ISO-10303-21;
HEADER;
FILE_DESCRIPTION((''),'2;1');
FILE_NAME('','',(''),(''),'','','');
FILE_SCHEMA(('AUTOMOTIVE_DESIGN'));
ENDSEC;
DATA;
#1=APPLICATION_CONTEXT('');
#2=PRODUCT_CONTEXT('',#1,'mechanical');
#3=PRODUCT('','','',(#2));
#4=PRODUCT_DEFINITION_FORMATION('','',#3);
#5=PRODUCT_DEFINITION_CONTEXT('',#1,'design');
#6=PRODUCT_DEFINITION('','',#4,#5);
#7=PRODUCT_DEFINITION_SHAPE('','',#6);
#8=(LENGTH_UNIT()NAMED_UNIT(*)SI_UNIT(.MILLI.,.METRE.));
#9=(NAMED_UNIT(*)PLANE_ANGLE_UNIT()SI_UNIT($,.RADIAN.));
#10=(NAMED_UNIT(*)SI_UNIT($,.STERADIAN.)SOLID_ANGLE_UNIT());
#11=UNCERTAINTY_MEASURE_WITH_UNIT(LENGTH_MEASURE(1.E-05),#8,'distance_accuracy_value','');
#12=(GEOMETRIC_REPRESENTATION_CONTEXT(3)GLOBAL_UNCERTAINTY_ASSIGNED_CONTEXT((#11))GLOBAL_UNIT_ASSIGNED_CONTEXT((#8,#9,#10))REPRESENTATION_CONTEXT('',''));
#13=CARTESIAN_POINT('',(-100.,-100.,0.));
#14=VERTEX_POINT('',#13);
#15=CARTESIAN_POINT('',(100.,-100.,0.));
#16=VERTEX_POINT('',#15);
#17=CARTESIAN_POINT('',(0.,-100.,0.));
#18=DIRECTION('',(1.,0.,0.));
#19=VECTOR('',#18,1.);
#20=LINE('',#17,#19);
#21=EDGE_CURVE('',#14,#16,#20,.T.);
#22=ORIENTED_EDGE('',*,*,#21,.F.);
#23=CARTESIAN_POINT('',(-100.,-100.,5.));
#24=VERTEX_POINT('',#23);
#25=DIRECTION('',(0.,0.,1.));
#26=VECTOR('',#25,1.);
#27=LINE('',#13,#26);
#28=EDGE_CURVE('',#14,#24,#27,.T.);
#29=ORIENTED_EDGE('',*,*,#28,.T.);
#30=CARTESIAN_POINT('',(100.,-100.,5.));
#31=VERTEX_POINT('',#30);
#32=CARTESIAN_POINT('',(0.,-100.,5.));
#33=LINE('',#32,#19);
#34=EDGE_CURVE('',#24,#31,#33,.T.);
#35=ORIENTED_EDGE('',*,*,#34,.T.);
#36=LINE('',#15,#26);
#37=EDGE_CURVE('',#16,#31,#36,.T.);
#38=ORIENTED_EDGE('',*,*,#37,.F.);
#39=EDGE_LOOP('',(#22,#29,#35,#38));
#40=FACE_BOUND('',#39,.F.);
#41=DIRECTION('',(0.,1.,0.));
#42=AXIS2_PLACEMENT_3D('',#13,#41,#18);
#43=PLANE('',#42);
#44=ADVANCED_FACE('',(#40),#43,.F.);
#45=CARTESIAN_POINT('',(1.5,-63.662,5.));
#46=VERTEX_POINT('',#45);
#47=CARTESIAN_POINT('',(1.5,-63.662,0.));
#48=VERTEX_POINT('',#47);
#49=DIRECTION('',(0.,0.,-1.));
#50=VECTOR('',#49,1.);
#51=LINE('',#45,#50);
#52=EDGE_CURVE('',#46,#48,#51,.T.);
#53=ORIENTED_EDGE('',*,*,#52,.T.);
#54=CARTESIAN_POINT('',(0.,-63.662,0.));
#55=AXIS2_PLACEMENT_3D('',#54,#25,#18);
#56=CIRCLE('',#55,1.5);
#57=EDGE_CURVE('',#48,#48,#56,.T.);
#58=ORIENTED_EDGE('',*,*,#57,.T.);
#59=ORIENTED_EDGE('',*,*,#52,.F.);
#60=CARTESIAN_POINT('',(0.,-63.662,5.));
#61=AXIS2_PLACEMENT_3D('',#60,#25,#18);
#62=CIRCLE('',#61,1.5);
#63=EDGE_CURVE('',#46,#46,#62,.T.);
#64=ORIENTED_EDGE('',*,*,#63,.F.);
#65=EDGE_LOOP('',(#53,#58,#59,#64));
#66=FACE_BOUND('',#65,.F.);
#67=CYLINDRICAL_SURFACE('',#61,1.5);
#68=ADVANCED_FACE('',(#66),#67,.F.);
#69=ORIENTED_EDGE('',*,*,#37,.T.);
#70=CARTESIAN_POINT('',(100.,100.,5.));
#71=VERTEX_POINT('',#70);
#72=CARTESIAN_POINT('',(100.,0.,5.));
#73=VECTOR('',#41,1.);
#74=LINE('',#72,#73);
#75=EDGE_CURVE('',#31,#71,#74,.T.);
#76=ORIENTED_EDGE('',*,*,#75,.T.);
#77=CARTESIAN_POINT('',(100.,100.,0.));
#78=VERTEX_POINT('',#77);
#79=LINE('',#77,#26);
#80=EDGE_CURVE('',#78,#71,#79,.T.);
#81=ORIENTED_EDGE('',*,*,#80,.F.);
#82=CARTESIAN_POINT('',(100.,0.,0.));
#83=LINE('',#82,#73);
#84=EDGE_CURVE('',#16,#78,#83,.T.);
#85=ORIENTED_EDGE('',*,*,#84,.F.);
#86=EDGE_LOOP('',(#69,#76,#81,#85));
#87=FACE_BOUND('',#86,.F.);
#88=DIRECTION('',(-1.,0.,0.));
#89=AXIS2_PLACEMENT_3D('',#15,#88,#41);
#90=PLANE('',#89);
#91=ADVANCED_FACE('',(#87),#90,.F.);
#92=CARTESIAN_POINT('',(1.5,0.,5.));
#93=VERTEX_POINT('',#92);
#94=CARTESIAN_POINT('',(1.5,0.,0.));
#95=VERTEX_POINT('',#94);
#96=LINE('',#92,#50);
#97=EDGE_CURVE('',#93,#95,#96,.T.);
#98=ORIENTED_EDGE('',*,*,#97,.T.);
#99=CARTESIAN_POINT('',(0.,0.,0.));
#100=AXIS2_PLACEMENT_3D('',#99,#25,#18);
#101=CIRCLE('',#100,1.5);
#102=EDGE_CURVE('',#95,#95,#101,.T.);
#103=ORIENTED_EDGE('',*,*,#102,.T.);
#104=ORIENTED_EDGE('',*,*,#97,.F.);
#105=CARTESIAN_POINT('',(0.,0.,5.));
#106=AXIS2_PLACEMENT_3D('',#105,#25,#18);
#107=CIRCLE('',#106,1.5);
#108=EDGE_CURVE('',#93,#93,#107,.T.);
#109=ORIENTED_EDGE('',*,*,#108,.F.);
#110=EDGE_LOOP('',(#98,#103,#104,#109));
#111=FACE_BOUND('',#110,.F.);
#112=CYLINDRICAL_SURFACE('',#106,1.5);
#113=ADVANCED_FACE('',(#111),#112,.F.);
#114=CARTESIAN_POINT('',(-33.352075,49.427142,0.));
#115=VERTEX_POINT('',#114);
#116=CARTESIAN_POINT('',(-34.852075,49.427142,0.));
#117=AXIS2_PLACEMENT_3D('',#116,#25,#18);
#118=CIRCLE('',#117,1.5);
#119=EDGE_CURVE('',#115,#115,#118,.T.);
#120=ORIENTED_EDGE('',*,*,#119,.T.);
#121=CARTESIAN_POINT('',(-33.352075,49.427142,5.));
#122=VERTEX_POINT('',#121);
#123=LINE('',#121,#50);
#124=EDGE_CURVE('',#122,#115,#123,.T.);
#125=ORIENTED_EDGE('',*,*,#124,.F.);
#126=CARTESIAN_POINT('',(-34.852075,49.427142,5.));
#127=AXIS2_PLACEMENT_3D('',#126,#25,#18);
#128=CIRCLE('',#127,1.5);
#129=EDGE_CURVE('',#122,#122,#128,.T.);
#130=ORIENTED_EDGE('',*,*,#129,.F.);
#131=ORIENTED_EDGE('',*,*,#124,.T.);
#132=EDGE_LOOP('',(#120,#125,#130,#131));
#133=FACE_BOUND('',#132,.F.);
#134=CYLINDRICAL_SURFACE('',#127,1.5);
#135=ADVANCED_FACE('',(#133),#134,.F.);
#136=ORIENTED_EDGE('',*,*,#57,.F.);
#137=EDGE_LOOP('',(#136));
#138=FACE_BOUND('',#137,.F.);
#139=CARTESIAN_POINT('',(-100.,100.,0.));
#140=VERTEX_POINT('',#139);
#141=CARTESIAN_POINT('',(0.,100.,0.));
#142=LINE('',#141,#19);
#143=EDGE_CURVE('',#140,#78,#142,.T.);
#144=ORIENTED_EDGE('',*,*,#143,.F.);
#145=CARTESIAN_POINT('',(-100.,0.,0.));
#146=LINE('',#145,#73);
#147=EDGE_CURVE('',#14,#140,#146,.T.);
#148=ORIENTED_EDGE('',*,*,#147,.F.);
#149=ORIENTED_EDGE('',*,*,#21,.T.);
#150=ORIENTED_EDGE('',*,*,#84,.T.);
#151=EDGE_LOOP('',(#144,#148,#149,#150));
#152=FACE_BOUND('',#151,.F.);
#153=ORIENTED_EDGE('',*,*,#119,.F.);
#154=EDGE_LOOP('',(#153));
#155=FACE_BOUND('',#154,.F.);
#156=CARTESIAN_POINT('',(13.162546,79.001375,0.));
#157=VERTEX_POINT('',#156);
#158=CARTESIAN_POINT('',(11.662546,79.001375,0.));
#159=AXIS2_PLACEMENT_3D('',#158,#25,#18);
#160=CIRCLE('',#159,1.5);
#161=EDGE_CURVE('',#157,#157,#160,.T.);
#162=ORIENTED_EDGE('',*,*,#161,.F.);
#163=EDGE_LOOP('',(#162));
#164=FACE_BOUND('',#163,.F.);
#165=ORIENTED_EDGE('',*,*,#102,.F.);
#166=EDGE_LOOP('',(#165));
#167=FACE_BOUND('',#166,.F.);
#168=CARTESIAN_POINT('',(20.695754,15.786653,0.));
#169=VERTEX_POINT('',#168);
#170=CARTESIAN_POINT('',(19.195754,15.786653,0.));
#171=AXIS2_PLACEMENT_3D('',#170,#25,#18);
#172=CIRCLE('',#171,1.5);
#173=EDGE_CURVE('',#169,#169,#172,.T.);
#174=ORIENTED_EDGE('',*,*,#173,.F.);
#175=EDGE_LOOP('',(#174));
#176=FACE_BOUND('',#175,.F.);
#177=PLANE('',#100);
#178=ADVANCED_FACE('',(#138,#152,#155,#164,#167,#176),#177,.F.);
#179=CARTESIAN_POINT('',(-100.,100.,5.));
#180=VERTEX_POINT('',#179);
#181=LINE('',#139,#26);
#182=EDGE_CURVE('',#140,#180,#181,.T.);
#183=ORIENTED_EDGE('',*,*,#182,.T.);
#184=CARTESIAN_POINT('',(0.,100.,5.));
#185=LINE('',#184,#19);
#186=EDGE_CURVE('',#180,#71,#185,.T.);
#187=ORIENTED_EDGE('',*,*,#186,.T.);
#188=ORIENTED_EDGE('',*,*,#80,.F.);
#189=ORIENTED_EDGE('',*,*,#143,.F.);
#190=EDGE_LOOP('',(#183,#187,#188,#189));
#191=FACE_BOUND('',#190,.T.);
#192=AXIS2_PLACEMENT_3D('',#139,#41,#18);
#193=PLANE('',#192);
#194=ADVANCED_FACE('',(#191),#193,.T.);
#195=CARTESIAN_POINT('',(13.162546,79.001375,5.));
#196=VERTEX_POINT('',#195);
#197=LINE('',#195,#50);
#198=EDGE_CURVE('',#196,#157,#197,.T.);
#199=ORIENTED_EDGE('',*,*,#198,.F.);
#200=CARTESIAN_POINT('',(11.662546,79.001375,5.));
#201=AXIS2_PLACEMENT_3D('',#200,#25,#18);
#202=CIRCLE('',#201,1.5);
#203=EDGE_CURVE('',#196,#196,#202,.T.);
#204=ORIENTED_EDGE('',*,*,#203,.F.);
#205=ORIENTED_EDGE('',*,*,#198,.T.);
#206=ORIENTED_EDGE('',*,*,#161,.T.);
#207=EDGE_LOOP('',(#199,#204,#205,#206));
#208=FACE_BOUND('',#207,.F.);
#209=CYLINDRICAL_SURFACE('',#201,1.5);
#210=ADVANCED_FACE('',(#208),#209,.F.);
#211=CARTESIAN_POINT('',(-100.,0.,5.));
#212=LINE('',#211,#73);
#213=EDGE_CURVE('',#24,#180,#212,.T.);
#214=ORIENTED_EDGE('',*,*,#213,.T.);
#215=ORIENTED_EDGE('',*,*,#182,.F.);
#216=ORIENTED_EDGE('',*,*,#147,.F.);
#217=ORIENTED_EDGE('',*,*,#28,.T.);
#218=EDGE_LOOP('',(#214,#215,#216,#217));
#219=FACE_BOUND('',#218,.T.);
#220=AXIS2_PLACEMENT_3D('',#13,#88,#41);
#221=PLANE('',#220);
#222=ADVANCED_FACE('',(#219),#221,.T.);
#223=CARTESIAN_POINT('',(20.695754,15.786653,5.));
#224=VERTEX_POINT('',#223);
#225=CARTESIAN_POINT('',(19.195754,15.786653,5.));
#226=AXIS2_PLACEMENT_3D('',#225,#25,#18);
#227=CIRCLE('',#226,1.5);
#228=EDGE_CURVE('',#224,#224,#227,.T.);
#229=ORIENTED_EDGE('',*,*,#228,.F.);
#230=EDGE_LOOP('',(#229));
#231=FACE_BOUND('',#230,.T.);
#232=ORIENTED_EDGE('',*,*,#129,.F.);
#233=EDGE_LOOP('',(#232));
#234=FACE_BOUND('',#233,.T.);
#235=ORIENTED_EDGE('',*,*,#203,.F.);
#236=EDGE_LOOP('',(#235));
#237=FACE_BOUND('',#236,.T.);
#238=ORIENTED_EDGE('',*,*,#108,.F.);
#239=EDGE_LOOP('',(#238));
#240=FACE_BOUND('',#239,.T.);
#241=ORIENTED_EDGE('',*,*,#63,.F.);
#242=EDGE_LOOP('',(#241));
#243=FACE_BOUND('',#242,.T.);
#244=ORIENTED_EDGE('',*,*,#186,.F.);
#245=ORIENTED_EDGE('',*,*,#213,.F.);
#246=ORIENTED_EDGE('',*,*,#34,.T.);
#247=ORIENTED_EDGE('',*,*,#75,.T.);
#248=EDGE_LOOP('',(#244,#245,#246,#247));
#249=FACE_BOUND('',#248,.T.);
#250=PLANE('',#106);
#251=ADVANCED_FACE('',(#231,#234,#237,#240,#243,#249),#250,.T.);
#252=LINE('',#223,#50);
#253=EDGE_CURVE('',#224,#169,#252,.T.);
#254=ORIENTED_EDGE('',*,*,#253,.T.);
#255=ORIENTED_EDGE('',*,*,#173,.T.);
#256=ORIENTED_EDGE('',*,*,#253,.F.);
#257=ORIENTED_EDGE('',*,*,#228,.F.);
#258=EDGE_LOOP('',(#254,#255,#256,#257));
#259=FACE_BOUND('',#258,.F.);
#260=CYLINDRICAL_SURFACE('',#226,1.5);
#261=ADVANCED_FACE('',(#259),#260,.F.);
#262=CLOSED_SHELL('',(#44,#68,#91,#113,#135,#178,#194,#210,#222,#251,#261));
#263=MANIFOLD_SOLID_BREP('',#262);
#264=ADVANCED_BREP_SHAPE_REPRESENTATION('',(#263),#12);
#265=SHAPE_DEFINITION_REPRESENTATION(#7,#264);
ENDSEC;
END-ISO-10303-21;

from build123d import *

# Parameters (mm, degrees)
F0_W     = 200
F0_H     = 200
F1_DEPTH = 5
F2_R     = 1.5
F3_DEPTH = 5.001


with BuildPart() as f1:
    # F0 (on Top) → F1 (new body)
    with BuildSketch(Plane.XY):
        Rectangle(F0_W, F0_H)
    extrude(amount=F1_DEPTH)

    # F2 (on face) → F3 (cut, through all)
    with BuildSketch(Plane.XY.offset(5)):
        Circle(F2_R)
        with Locations((0, -63.662)):
            Circle(F2_R)
        with Locations((11.662546, 79.001375)):
            Circle(F2_R)
        with Locations((-34.852075, 49.427142)):
            Circle(F2_R)
        with Locations((19.195754, 15.786653)):
            Circle(F2_R)
    extrude(amount=-F3_DEPTH, mode=Mode.SUBTRACT)


solid = f1.part
